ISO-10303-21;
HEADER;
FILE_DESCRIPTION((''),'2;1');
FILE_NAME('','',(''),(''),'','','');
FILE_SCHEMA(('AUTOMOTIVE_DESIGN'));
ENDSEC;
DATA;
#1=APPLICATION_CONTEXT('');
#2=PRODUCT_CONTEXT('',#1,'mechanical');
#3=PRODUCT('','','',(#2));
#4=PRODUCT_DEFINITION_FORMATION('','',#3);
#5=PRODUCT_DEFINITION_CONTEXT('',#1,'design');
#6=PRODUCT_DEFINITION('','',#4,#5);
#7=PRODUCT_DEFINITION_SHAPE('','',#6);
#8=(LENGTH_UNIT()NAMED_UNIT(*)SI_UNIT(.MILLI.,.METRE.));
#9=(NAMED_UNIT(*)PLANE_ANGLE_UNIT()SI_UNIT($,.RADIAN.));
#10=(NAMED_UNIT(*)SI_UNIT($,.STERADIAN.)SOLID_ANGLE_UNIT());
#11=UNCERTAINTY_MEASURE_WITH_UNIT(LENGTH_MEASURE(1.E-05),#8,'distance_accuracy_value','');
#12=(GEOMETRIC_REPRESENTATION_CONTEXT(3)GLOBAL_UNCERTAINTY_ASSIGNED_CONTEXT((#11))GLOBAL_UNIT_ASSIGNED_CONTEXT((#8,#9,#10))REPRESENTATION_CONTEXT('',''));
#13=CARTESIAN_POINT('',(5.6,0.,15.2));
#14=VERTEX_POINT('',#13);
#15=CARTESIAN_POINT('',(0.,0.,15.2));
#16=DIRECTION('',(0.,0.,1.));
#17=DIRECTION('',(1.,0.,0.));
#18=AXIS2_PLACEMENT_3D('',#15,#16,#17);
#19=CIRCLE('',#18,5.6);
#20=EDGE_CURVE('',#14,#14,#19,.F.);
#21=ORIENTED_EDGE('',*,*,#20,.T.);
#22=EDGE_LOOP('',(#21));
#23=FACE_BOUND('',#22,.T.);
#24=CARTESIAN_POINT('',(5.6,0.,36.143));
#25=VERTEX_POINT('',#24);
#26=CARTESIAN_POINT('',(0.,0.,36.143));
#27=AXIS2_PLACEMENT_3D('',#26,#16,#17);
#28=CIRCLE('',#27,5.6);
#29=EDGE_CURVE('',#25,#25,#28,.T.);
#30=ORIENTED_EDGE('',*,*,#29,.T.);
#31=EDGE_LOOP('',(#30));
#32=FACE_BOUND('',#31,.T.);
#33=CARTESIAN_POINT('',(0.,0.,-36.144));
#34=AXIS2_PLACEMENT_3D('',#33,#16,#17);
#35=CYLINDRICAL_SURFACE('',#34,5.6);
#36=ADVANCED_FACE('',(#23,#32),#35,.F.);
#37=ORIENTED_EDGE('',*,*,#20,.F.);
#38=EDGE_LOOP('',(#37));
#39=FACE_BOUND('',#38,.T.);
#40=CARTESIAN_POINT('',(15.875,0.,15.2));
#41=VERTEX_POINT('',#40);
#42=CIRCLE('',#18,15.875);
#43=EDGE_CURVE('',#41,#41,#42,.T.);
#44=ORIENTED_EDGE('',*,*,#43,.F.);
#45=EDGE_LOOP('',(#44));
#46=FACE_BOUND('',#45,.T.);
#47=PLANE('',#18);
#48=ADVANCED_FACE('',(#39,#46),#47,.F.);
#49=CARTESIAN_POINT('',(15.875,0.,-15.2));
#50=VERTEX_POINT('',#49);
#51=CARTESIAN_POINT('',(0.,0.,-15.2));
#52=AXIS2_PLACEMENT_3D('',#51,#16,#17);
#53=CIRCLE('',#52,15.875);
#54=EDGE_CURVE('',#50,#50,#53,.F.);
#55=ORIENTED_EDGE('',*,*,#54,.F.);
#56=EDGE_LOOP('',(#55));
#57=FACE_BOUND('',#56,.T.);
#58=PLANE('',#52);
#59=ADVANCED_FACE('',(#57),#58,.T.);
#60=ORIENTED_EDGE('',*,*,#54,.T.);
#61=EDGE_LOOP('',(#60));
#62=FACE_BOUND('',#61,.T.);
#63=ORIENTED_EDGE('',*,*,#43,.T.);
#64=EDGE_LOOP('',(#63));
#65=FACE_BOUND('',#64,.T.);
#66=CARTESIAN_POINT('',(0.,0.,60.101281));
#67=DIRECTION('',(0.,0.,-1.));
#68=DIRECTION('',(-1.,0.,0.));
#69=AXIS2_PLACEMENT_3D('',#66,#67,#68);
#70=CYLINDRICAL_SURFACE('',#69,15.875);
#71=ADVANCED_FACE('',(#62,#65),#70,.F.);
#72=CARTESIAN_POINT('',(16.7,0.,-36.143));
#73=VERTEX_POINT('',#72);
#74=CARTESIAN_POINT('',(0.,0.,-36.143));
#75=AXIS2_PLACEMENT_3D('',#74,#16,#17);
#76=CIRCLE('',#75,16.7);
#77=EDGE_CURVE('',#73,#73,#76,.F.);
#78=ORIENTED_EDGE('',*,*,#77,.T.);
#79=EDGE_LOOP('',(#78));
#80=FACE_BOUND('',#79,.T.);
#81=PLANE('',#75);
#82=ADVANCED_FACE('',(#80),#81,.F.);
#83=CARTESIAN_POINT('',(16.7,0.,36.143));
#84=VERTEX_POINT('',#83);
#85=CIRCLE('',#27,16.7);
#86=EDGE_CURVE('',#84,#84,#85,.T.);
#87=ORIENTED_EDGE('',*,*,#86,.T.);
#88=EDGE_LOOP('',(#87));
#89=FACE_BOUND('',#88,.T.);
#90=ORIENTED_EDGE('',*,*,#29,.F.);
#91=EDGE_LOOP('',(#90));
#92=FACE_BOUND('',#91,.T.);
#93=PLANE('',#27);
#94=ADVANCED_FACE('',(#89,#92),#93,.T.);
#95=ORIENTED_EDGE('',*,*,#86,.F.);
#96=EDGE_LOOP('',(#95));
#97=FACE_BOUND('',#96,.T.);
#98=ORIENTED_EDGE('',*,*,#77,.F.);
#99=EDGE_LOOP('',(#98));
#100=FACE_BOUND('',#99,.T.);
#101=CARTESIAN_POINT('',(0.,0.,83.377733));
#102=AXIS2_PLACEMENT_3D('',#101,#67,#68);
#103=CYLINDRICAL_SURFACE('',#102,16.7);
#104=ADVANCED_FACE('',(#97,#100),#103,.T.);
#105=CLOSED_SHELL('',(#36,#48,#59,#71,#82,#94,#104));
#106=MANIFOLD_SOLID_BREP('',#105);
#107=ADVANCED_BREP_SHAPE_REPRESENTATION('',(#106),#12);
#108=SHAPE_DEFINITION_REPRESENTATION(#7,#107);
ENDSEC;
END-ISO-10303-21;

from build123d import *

# Parameters (mm, degrees)
EXTRUDE1_DEPTH       = 36.143
EXTRUDE1_DEPTH_BACK  = 36.143
SKETCH1_R            = 16.7
STROKE_START         = -15.2
SKETCH2_R            = 15.875
STROKE_CHAMBER_DEPTH = 30.4
ROD_HOLE_REACH       = 78.046
SKETCH3_R            = 5.6


with BuildPart() as part:
    # Sketch1 → Extrude1 (new, two sides: drawn at the far end of the back side and taken through both)
    with BuildSketch(Plane.XY.offset(-EXTRUDE1_DEPTH_BACK)):
        Circle(SKETCH1_R)
    extrude(amount=EXTRUDE1_DEPTH + EXTRUDE1_DEPTH_BACK)

    # Sketch2 → STROKE CHAMBER (cut)
    with BuildSketch(Plane.XY.offset(STROKE_START)):
        Circle(SKETCH2_R)
    extrude(amount=STROKE_CHAMBER_DEPTH, mode=Mode.SUBTRACT)

    # Sketch3 → ROD HOLE (cut, up to next)
    with BuildSketch(Plane.XY.offset(36.143), mode=Mode.PRIVATE) as rod_hole_sk1:
        Circle(SKETCH3_R)
    rod_hole_tool1 = extrude(rod_hole_sk1.sketch, amount=-ROD_HOLE_REACH, mode=Mode.PRIVATE) & part.part
    add(rod_hole_tool1.solids().sort_by_distance((0, 0, 36.143))[0], mode=Mode.SUBTRACT)


solid = part.part
